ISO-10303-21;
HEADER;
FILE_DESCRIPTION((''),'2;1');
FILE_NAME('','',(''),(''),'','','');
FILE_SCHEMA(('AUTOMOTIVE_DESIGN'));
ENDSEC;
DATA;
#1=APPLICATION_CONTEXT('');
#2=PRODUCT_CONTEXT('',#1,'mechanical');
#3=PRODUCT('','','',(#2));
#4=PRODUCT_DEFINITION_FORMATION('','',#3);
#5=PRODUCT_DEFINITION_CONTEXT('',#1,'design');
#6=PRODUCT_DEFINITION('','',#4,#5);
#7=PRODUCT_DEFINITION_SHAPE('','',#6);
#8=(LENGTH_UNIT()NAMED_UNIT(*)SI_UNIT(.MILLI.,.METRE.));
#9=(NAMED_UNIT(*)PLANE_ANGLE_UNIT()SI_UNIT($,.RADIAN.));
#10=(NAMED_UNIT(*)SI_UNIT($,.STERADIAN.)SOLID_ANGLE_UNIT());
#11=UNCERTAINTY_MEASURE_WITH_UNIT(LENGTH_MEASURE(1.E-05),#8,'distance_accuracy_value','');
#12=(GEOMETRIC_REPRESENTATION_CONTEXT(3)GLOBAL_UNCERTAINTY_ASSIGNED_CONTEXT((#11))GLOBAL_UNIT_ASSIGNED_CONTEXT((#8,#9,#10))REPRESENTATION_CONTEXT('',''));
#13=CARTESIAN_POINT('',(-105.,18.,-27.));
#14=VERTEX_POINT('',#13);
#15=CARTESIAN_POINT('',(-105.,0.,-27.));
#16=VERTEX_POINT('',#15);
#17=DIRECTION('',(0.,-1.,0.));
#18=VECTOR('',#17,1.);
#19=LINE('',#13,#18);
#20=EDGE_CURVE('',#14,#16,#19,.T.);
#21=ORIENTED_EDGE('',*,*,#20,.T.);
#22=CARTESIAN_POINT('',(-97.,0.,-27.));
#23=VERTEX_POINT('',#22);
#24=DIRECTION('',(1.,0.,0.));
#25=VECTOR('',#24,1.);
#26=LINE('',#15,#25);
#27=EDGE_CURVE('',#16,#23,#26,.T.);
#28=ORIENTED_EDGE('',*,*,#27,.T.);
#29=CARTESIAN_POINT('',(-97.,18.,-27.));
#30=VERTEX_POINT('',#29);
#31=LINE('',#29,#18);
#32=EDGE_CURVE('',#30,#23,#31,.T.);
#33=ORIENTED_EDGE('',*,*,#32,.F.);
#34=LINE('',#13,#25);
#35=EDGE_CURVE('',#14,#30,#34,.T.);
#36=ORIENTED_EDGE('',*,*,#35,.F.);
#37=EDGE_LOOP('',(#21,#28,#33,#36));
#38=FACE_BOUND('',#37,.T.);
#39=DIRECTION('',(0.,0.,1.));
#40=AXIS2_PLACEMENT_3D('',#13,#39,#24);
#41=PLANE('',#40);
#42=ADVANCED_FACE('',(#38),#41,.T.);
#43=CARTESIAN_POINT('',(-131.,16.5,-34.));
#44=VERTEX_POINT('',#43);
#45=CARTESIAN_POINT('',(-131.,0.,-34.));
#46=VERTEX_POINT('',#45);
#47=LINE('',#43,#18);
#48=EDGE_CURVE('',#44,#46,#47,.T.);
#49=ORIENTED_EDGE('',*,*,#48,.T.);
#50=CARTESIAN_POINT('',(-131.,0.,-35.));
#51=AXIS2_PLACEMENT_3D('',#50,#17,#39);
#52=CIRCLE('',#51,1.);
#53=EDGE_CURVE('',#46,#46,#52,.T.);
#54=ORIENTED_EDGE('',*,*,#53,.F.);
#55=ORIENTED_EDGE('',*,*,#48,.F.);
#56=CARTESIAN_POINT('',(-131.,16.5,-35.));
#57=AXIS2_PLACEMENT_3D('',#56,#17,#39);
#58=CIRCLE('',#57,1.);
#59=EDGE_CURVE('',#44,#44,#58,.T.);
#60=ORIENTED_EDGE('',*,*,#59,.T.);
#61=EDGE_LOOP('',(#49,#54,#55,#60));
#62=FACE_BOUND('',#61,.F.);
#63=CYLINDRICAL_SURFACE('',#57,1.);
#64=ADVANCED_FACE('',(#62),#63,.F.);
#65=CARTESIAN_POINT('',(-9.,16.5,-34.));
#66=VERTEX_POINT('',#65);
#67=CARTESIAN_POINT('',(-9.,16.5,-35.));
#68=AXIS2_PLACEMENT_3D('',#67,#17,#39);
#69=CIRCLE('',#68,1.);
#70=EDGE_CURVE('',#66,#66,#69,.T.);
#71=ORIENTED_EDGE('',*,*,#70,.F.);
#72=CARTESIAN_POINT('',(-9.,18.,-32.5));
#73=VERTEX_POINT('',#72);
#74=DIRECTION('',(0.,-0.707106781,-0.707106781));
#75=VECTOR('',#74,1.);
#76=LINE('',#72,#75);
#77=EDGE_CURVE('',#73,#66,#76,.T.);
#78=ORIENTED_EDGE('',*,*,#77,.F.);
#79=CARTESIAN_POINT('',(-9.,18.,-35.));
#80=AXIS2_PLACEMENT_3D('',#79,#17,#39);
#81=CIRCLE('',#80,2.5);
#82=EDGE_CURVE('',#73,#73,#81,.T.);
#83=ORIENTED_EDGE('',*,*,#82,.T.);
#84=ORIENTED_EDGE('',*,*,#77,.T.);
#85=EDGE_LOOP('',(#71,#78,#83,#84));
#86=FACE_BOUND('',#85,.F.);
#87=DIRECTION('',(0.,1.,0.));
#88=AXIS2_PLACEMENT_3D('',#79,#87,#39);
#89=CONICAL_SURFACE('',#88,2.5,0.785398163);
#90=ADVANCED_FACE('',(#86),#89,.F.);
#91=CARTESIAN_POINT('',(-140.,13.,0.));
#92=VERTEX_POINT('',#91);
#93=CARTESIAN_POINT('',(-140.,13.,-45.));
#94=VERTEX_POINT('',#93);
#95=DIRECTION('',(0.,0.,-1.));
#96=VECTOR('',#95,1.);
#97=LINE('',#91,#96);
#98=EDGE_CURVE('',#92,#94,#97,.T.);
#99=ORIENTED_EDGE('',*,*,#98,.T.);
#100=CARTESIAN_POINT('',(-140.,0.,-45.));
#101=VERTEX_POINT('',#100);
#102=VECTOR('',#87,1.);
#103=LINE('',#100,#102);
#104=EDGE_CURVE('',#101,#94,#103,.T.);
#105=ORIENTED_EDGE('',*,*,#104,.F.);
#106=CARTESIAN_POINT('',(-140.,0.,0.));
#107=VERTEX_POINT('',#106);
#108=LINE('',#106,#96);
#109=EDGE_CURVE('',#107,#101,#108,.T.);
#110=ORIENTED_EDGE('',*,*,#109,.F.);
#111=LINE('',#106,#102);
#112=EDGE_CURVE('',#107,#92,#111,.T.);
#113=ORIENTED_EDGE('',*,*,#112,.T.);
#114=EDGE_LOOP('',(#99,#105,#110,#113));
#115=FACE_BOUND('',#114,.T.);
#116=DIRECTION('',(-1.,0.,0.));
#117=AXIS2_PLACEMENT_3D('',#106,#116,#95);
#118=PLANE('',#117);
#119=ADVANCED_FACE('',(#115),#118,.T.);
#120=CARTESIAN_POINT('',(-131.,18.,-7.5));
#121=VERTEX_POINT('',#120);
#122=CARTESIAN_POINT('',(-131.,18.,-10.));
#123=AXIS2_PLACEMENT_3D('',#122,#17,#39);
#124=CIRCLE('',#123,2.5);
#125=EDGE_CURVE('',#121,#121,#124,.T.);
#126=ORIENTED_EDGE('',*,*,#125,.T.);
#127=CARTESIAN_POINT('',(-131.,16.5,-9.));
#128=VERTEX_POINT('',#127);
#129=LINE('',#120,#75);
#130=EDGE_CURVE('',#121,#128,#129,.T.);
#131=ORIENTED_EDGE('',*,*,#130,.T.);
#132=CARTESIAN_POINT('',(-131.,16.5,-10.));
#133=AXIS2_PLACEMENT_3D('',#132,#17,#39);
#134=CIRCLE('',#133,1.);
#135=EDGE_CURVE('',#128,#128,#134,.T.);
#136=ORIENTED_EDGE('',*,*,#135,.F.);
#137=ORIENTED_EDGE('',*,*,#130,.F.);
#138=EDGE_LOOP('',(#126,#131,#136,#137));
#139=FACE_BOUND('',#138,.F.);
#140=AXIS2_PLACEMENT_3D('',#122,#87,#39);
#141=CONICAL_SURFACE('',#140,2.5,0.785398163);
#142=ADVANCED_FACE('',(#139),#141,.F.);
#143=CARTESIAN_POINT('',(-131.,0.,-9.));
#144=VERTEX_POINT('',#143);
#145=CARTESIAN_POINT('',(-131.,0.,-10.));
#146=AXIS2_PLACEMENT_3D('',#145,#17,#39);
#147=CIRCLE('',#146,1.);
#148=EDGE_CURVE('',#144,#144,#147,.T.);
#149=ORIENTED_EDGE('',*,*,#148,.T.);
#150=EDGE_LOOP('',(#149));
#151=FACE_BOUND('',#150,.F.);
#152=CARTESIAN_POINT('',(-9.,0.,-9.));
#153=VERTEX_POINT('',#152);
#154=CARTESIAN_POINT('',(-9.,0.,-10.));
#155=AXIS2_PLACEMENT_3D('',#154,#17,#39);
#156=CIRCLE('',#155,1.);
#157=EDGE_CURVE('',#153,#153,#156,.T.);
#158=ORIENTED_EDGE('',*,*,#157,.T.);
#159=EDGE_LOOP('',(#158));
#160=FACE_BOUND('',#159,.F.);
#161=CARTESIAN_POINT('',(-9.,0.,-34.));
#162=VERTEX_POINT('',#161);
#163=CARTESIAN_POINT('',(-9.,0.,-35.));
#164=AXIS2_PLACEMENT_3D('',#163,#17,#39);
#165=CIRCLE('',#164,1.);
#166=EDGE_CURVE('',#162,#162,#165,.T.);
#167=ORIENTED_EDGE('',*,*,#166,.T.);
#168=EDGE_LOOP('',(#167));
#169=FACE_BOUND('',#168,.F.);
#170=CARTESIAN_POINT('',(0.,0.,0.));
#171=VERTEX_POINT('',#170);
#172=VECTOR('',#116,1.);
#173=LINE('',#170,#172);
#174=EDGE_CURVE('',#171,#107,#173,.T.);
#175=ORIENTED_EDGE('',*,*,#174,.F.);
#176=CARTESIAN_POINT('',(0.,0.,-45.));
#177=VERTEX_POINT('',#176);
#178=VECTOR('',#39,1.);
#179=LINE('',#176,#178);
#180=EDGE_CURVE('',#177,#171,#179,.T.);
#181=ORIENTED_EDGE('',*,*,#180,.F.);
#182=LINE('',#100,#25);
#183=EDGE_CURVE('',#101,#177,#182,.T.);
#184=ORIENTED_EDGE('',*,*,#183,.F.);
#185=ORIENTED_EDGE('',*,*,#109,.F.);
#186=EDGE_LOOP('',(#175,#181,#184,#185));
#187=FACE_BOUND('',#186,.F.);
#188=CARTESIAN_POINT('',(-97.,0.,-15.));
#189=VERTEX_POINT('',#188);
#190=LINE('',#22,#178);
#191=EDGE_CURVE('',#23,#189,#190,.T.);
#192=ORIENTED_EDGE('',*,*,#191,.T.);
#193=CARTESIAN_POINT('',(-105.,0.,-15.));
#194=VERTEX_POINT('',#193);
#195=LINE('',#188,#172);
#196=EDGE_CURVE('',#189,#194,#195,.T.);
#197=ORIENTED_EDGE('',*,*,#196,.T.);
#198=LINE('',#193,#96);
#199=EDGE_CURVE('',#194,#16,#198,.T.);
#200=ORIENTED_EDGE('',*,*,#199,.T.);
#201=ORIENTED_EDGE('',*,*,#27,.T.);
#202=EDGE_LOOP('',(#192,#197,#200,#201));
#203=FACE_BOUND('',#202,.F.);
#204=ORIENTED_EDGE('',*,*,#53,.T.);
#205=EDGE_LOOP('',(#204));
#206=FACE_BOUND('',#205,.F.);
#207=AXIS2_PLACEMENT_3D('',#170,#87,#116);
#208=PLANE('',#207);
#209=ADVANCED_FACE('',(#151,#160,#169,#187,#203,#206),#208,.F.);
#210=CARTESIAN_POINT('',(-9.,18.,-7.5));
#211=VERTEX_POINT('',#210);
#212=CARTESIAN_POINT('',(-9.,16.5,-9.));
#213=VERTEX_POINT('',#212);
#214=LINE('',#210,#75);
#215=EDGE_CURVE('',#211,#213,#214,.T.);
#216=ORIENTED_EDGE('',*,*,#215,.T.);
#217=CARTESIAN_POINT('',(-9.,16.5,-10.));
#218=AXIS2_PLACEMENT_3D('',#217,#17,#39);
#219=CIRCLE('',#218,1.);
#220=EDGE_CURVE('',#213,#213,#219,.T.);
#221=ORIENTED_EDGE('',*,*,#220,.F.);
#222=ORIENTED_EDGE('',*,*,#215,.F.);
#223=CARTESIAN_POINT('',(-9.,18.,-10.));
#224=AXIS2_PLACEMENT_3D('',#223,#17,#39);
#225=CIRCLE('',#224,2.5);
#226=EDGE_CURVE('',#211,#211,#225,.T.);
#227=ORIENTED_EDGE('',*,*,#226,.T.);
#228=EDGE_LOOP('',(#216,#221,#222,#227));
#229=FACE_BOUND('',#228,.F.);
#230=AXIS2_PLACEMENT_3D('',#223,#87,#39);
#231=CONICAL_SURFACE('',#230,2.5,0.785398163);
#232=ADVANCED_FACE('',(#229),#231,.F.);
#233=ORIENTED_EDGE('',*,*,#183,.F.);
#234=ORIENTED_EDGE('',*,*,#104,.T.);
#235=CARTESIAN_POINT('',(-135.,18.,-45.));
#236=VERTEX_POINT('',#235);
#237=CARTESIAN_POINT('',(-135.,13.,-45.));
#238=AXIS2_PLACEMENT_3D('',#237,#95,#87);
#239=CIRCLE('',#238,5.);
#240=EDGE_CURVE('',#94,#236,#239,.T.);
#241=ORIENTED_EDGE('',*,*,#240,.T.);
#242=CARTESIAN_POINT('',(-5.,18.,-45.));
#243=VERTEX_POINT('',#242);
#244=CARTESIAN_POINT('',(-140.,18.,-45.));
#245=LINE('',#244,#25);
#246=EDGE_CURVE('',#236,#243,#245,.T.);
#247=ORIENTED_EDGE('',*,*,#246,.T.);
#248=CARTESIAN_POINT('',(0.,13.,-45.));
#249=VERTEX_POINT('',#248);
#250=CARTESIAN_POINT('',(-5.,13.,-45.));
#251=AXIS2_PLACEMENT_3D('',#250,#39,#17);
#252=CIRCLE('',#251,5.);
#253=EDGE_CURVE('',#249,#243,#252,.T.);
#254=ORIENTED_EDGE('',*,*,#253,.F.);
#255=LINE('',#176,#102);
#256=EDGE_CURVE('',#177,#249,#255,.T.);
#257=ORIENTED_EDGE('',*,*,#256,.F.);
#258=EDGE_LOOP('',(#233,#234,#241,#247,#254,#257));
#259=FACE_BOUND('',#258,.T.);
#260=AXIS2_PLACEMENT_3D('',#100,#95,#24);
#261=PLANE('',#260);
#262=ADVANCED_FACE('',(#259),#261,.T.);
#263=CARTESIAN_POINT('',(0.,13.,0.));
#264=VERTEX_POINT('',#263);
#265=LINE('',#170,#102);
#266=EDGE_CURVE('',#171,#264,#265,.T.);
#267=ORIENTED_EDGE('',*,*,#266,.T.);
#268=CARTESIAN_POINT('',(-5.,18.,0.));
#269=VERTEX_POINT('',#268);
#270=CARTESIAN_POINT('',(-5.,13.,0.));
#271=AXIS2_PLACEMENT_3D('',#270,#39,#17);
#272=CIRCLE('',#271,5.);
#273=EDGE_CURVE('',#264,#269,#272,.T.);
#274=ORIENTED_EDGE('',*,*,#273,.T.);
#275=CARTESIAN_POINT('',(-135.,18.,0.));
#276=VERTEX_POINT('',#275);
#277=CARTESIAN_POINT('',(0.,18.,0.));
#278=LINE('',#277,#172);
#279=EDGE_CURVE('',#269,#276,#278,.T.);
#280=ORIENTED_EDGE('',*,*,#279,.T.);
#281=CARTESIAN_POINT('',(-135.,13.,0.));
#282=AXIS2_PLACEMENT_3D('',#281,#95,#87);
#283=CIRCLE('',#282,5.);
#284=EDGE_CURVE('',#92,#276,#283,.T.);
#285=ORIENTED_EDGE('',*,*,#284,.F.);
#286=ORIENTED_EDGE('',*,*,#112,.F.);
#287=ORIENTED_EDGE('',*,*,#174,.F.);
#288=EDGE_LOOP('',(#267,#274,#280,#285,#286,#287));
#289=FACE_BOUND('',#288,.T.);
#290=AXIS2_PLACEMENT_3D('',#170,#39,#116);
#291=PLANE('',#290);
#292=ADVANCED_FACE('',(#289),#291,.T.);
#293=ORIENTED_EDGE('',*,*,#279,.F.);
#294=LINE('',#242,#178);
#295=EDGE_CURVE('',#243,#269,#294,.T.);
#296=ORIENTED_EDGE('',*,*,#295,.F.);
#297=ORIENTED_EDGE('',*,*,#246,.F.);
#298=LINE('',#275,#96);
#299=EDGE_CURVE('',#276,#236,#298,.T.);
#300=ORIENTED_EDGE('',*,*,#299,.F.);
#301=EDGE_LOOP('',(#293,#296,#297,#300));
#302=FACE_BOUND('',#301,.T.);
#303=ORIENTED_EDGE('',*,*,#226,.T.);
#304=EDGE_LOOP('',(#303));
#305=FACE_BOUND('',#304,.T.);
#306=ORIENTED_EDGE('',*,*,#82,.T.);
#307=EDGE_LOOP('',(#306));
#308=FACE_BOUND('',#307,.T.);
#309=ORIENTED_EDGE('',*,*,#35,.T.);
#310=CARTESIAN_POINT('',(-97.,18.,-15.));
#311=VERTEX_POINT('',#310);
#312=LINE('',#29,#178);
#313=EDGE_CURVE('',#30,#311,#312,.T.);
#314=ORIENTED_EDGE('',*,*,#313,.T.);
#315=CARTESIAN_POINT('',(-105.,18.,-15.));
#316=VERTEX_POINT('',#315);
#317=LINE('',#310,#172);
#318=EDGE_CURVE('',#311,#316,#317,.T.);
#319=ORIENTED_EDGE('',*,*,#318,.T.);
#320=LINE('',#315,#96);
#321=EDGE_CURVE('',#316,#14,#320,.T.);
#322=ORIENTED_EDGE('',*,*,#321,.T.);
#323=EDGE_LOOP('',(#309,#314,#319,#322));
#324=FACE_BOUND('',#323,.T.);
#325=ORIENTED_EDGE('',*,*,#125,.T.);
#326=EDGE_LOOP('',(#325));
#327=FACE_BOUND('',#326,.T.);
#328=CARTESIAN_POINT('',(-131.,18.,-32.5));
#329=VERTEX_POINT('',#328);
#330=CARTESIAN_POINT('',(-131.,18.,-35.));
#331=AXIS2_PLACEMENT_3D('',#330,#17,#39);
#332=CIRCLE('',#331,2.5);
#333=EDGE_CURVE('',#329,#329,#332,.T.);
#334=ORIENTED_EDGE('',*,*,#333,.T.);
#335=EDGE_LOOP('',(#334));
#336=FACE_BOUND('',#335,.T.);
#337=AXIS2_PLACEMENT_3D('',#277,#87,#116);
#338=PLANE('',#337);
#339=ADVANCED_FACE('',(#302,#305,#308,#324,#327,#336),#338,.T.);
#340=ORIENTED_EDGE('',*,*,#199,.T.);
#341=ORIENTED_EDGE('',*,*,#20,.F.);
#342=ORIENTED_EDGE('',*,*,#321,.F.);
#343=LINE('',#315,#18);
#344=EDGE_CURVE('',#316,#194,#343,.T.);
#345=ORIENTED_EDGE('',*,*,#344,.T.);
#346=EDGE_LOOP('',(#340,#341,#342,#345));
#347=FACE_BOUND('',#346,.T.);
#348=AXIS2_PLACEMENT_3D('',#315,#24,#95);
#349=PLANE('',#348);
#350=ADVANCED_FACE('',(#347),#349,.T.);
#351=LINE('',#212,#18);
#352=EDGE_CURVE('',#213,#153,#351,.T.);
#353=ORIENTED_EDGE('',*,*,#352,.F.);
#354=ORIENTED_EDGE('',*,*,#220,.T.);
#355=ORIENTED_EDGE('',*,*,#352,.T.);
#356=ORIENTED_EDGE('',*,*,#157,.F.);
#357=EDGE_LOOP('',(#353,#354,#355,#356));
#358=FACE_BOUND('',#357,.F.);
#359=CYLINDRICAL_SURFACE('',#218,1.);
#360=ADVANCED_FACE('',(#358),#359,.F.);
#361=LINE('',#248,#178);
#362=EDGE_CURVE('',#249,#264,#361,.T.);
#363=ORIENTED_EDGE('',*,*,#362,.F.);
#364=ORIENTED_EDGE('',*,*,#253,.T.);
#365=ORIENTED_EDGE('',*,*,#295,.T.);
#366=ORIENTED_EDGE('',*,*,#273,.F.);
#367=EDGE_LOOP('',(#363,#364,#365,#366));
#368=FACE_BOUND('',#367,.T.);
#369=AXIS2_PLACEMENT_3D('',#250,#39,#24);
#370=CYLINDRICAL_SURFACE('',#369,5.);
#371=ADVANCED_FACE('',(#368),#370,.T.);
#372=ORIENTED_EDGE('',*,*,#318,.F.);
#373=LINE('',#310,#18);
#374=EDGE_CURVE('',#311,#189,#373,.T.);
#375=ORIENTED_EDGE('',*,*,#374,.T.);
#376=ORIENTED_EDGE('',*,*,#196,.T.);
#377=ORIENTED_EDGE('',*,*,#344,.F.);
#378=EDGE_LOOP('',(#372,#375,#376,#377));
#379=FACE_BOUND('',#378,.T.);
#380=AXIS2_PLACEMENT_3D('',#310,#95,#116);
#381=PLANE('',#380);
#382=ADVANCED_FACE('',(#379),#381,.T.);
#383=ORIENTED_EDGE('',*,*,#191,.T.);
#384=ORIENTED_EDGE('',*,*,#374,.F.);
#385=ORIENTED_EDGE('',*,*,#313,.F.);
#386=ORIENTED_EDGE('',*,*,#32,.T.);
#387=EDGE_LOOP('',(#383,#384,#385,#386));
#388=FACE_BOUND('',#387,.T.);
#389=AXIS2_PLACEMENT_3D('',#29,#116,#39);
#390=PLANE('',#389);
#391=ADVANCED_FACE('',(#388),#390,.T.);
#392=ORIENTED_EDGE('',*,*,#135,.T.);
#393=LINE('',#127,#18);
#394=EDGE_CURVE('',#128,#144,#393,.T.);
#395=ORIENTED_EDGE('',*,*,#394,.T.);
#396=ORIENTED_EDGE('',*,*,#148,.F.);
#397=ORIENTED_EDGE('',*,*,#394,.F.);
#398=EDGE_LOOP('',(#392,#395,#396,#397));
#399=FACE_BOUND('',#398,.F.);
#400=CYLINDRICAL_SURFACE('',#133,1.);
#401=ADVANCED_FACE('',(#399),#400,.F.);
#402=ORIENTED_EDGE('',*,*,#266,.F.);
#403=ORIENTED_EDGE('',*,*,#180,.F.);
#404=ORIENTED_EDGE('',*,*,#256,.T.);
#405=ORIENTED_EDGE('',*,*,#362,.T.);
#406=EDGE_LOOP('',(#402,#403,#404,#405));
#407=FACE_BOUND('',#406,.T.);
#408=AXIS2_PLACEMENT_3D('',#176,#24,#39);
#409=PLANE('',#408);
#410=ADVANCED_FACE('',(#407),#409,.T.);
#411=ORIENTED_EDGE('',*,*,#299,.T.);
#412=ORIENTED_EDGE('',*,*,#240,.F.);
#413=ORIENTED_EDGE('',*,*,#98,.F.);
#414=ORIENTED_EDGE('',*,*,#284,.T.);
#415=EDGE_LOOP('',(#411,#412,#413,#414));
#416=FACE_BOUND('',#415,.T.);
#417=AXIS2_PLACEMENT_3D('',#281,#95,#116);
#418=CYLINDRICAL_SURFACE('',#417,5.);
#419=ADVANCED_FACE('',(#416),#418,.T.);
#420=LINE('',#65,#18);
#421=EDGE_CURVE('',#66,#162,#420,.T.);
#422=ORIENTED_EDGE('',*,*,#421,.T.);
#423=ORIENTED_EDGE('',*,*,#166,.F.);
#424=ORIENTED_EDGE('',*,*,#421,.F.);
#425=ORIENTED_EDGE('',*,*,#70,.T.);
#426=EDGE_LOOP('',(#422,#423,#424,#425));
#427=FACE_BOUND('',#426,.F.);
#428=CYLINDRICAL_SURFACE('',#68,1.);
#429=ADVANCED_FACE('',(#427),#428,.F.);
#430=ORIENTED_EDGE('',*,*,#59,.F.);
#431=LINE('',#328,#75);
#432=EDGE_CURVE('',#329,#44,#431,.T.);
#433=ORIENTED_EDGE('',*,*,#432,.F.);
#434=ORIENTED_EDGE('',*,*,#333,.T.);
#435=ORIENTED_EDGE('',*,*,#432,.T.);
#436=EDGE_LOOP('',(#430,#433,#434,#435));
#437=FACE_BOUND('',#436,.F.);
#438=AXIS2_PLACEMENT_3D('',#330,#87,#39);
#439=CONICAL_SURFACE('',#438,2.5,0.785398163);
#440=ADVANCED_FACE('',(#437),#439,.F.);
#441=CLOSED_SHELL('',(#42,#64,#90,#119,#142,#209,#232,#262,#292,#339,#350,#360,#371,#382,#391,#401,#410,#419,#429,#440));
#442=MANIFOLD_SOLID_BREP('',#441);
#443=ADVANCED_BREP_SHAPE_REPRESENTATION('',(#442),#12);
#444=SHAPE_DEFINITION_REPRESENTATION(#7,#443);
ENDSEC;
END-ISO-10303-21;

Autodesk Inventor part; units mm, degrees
ref_plane "YZ Plane" through (0, 0, 0) normal (1, 0, 0) x (0, 1, 0)
ref_plane "XZ Plane" through (0, 0, 0) normal (0, 1, 0) x (-1, 0, 0)
ref_plane "XY Plane" through (0, 0, 0) normal (0, 0, 1) x (1, 0, 0)
sketch "Skizze1" plane through (0, 0, 0) normal (0, 1, 0) x (-1, 0, 0)
  line L0 (0, 0) -> (140, 0)
  line L1 (140, 0) -> (140, -45)
  line L2 (140, -45) -> (0, -45)
  line L3 (0, -45) -> (0, 0)
  dimension "d0" = 140
  dimension "d1" = 45
extrude "Extrusion1" add sketch "Skizze1" along normal blind 18
sketch "Skizze2" plane through (0, 18, 0) normal (0, 1, 0) x (1, 0, 0)
  line L0 (0, 0) -> (0, 45) projected
  line L1 (0, 45) -> (-140, 45) projected
  line L2 (-140, 45) -> (-140, 0) projected
  point P0 (-131, 35)
  point P1 (-131, 10)
  point P2 (-9, 35)
  point P3 (-9, 10)
  dimension "d14" = 10
  dimension "d15" = 25
  dimension "d16" = 10
  dimension "d17" = 25
  dimension "d18" = 9
  dimension "d19" = 9
hole "Bohrung1" at (-131, 18, -35) at (-131, 18, -10) at (-9, 18, -35) at (-9, 18, -10) direction (0, -1, 0) diameter 2 end through all countersink diameter 5 countersink angle 90
fillet "Rundung3" radius 5 2 edges at (0, 18, -22.5) (-140, 18, -22.5)
sketch "Skizze3" plane through (0, 18, 0) normal (0, 1, 0) x (1, 0, 0)
  line L0 (-135, 0) -> (-5, 0) projected
  line L1 (-97, 15) -> (-105, 15)
  line L2 (-105, 15) -> (-105, 27)
  line L3 (-105, 27) -> (-97, 27)
  line L4 (-97, 27) -> (-97, 15)
  line L5 (0, 0) -> (0, 45) projected
  line L6 (-140, 45) -> (-140, 0) projected
  dimension "d32" = 8
  dimension "d33" = 12
  dimension "d34" = 15
  dimension "d36" = 35
extrude "Extrusion2" cut sketch "Skizze3" against normal blind 18
sketch "Skizze4" plane through (-140, 0, 0) normal (0, 0, 1) x (1, 0, 0)
  point P0 (131, 3)
properties part number "Seitenteil_mit_schalter" material "Eiche, weiß"
